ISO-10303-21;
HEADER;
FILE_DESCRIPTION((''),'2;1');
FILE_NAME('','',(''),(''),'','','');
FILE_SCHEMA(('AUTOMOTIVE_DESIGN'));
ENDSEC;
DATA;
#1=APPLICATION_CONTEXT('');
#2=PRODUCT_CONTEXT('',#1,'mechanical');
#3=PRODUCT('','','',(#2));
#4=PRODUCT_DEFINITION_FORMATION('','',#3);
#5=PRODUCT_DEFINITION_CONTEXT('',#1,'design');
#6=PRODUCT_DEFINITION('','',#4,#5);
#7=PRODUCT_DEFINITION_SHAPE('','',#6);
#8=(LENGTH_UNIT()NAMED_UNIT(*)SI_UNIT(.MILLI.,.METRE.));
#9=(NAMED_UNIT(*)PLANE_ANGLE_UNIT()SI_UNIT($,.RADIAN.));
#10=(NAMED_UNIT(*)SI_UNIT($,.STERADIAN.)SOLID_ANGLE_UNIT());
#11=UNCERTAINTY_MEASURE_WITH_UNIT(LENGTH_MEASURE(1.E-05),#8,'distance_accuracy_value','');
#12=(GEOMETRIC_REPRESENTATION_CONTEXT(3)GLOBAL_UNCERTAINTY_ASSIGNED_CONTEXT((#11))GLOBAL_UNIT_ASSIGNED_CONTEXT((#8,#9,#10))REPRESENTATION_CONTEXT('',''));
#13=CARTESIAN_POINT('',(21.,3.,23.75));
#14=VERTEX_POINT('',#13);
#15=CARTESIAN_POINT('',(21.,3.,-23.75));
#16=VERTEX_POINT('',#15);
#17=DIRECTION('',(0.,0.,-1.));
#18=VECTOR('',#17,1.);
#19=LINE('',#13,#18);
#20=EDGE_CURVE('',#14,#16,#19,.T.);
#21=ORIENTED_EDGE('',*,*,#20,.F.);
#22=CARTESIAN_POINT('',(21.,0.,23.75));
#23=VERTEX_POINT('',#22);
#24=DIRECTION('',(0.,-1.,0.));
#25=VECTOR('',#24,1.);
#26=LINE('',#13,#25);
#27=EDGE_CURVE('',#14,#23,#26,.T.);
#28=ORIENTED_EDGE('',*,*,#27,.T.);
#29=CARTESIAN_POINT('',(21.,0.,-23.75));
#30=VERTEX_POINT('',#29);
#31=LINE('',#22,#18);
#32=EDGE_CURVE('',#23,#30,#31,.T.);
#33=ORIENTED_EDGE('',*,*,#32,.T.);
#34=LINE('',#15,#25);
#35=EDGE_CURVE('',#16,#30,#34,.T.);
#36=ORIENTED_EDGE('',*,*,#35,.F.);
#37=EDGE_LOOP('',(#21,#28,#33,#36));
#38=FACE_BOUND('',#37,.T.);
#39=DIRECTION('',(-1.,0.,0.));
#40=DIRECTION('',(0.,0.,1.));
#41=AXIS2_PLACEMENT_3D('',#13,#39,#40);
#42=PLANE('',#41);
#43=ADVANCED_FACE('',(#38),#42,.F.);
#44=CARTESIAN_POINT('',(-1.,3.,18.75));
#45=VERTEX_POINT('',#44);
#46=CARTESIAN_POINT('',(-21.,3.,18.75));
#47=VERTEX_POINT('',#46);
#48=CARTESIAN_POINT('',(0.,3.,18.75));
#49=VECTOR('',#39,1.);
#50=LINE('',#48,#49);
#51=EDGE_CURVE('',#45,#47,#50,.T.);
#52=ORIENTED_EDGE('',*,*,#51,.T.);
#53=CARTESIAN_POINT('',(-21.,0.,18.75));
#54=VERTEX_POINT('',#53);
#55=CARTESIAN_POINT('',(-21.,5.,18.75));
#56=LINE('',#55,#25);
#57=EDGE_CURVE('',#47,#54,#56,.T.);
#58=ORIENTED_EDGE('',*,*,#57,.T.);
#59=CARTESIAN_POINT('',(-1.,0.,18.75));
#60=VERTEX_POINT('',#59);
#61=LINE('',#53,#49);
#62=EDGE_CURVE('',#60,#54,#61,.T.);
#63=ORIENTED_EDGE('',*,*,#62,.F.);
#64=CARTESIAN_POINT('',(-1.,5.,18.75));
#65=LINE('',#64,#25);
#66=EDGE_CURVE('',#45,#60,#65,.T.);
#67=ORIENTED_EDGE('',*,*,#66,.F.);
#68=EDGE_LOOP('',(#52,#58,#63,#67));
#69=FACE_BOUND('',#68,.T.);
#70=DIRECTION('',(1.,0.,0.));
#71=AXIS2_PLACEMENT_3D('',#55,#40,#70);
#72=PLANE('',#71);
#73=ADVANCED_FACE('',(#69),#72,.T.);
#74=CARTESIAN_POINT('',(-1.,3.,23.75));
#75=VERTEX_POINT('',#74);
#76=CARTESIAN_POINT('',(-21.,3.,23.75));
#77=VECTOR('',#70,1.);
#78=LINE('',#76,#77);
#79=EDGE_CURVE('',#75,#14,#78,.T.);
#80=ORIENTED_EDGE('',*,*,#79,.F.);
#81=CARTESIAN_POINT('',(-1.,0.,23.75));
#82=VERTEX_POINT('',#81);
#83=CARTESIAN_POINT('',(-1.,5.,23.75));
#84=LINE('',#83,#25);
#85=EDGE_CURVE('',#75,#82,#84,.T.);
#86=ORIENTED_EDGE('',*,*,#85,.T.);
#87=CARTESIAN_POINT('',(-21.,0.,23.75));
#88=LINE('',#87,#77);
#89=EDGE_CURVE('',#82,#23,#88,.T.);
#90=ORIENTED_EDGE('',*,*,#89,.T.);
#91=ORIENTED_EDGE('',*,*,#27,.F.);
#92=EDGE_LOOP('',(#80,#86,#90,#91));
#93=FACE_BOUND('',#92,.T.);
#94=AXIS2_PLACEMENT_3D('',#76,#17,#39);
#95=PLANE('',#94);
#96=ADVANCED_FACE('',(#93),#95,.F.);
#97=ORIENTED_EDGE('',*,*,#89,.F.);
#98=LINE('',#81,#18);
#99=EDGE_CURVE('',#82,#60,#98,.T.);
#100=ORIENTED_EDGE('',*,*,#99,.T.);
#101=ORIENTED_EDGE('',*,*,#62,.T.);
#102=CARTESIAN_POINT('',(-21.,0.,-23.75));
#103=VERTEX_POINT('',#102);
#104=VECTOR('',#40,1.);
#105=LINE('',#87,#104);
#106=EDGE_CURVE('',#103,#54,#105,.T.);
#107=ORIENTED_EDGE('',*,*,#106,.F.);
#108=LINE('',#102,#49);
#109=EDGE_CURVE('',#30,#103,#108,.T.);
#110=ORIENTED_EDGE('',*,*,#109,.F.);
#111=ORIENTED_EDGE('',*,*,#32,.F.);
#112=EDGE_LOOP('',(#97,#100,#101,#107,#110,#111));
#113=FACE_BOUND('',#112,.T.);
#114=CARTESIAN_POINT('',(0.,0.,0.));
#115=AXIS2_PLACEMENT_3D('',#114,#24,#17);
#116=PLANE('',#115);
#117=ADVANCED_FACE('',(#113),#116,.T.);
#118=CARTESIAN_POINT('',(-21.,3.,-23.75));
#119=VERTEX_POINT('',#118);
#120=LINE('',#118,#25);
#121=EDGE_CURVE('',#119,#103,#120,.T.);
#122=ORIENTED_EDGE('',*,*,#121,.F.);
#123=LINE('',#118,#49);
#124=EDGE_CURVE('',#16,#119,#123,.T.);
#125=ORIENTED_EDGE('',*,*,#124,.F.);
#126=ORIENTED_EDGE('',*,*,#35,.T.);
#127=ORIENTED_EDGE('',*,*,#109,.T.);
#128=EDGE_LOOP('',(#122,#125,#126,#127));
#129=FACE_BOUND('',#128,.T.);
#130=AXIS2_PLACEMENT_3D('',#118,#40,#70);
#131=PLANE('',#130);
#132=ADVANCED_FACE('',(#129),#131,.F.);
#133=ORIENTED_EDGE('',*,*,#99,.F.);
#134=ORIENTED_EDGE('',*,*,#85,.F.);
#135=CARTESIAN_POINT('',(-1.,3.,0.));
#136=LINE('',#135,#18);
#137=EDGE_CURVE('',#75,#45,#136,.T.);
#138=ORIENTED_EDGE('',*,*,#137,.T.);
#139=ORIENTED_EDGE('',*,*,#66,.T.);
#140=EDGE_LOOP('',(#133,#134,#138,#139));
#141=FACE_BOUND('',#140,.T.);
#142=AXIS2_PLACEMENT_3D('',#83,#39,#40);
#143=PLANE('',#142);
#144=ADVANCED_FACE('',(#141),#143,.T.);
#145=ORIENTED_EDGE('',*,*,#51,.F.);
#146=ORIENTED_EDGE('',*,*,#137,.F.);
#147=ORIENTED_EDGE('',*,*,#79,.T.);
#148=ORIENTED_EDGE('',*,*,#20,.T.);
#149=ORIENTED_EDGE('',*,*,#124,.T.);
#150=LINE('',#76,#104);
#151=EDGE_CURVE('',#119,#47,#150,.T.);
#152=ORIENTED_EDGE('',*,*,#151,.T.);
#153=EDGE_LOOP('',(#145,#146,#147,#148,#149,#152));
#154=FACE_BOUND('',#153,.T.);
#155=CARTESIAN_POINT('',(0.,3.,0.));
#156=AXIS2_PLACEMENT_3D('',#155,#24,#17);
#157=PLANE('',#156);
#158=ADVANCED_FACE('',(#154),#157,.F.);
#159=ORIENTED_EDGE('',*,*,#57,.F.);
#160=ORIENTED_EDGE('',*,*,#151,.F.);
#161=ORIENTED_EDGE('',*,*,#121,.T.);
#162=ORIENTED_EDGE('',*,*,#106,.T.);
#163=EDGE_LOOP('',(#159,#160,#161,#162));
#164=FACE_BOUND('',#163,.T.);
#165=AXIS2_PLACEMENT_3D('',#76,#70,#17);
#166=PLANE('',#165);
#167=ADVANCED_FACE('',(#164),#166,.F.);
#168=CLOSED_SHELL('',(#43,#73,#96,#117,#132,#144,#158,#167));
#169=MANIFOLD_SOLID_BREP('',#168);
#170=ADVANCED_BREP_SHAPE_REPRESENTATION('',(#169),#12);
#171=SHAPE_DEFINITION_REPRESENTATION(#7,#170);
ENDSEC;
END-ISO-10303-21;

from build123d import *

# Parameters (mm, degrees)
SKETCH1_W           = 42
SKETCH1_H           = 47.5
BOSS_EXTRUDE1_DEPTH = 3
SKETCH2_W           = 20
SKETCH2_H           = 5
CUT_EXTRUDE1_DEPTH  = 5


with BuildPart() as part:
    # Sketch1 → Boss-Extrude1 (new body)
    with BuildSketch(Plane(origin=(0, 0, 0), x_dir=(1, 0, 0), z_dir=(0, 1, 0))):
        Rectangle(SKETCH1_W, SKETCH1_H)
    extrude(amount=BOSS_EXTRUDE1_DEPTH)

    # Sketch2 → Cut-Extrude1 (cut)
    with BuildSketch(Plane(origin=(0, 0, 0), x_dir=(1, 0, 0), z_dir=(0, 1, 0))):
        with Locations((-11, -21.25)):
            Rectangle(SKETCH2_W, SKETCH2_H)
    extrude(amount=CUT_EXTRUDE1_DEPTH, mode=Mode.SUBTRACT)


solid = part.part
